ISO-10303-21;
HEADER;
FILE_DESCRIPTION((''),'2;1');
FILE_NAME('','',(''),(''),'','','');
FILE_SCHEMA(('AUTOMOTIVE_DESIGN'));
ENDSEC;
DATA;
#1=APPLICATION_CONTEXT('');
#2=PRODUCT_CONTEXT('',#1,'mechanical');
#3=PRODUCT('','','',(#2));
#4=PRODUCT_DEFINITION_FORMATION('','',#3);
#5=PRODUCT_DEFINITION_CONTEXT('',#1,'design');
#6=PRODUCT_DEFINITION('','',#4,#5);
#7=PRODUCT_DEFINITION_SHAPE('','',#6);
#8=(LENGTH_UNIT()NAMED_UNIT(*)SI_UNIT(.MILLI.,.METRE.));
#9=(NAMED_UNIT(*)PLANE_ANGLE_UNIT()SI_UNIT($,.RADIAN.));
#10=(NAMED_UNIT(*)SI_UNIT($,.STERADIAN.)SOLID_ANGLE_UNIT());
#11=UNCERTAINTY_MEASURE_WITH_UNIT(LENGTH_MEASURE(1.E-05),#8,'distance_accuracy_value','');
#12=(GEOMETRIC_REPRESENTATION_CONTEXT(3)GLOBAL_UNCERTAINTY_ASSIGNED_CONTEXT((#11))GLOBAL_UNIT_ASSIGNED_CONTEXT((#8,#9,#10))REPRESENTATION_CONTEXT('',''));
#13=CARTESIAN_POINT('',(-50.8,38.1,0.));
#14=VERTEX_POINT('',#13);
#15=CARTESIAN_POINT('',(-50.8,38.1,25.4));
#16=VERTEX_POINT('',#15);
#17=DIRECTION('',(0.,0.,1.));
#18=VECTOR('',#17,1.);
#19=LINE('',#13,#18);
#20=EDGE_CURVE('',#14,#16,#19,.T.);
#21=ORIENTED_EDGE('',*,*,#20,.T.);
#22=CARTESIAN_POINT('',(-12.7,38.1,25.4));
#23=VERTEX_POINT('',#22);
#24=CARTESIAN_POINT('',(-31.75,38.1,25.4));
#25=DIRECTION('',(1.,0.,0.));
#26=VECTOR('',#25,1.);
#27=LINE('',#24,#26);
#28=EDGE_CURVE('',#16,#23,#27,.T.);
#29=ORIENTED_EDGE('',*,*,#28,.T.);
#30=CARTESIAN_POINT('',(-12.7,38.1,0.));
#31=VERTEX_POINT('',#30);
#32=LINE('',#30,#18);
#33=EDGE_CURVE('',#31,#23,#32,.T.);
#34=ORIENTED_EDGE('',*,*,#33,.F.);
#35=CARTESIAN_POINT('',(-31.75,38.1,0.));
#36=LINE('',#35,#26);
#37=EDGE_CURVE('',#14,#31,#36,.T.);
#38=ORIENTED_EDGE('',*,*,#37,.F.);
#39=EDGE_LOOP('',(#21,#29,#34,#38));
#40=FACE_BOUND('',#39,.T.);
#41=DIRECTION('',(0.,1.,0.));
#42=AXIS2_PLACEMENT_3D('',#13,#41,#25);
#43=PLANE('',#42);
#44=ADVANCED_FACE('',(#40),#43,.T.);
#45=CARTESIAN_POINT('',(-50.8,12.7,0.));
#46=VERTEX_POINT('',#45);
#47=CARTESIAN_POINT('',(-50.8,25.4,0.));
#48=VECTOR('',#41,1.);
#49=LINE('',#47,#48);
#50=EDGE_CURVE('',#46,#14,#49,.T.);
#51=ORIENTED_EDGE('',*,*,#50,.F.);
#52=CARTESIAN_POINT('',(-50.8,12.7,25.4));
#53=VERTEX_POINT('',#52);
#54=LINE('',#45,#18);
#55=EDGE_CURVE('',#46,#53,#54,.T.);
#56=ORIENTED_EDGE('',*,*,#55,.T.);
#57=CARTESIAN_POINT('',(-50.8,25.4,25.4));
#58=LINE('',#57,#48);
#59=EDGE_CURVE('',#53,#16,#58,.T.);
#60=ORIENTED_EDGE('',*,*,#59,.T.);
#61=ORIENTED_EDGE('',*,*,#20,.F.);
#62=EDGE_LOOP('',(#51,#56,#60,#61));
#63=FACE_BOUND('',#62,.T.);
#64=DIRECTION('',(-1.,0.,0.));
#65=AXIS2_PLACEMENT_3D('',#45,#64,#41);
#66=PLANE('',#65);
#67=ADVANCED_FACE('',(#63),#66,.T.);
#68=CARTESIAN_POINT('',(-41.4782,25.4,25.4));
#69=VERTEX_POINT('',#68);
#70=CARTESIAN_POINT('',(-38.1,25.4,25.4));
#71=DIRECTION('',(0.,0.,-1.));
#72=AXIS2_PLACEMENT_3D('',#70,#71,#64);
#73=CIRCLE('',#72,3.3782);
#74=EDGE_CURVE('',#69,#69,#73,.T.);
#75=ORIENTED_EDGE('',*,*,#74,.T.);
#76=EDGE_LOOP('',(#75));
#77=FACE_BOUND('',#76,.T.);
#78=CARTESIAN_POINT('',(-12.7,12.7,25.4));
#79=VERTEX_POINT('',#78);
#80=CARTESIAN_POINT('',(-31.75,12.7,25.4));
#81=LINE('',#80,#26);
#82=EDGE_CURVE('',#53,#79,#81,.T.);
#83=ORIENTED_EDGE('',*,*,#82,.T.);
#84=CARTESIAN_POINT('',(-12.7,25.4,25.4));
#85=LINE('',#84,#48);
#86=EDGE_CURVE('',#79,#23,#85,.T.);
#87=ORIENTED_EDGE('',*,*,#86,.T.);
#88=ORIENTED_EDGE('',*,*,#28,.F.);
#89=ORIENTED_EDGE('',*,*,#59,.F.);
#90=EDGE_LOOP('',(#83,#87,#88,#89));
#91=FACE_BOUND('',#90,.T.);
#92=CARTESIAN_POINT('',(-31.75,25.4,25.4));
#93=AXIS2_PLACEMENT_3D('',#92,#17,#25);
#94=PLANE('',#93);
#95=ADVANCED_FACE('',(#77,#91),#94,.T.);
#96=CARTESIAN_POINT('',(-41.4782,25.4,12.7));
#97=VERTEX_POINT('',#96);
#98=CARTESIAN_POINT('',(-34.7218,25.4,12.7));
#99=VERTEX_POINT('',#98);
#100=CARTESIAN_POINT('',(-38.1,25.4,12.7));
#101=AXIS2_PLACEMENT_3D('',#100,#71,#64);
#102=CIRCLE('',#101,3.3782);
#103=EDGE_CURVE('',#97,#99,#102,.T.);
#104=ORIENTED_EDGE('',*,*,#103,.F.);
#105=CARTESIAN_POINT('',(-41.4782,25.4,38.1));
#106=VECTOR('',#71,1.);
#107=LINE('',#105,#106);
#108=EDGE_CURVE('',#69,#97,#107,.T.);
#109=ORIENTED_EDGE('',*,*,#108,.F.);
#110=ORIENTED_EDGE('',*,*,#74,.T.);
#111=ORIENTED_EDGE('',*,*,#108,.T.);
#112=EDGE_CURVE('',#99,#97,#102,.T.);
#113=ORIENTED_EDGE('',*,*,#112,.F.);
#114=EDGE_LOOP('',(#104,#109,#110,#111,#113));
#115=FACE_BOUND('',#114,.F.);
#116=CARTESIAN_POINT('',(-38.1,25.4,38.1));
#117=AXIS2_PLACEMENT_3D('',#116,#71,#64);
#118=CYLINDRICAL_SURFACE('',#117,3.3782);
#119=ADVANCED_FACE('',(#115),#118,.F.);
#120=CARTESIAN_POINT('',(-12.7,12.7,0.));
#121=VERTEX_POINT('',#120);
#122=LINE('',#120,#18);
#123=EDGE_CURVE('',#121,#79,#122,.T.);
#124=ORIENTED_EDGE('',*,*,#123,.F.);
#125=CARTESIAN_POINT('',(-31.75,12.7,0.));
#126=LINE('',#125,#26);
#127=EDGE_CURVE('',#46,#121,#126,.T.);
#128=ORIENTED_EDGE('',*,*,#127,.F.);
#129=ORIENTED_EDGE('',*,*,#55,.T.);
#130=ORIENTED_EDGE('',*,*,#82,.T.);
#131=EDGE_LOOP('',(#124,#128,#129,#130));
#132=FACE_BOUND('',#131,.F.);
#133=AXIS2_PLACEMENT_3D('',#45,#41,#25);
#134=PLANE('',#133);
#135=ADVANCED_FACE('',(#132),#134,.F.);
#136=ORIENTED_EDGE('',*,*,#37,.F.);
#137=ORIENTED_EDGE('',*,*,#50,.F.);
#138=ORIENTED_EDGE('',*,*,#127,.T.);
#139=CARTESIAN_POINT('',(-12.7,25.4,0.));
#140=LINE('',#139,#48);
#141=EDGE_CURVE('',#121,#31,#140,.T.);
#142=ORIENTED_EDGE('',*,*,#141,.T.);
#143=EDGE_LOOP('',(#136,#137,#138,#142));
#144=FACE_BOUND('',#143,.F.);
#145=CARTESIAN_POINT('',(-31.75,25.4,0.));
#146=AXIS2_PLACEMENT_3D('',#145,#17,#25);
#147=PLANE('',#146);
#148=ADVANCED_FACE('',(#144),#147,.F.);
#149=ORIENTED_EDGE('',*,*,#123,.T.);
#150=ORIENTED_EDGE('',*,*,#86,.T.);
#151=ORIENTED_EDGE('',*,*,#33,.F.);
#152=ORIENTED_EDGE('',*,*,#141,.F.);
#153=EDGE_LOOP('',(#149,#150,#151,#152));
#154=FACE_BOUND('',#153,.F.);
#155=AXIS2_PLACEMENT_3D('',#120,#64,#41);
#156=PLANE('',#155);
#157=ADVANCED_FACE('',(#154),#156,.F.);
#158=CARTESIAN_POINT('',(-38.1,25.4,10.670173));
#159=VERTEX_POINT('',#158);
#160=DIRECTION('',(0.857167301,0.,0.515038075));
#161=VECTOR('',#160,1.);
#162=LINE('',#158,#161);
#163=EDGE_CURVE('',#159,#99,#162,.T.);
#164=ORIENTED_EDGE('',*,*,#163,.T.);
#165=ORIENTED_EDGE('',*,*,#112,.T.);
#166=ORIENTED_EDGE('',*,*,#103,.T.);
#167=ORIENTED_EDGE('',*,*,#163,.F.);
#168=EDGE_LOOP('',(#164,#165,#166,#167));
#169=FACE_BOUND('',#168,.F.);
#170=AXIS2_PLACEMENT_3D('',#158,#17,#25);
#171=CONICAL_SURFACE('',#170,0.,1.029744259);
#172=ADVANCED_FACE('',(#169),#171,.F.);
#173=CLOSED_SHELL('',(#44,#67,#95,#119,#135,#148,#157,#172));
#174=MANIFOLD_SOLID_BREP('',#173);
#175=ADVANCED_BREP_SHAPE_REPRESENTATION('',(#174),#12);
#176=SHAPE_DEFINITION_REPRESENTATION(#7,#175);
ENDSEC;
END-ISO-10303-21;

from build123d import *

# Parameters (mm, degrees)
F0_W     = 38.1
F0_H     = 25.4
F1_DEPTH = 25.4
F3_D     = 6.7564
F3_DEPTH = 12.7
F3_TIP   = 2.0298273432


with BuildPart() as f1:
    # F0 (on Top) → F1 (new body)
    with BuildSketch(Plane.XY):
        with Locations((-31.75, 25.4)):
            Rectangle(F0_W, F0_H)
    extrude(amount=F1_DEPTH)

    # F3
    with Locations(Plane.XY.offset(25.4)):
        with Locations((-38.1, 25.4)):
            Hole(F3_D / 2, depth=F3_DEPTH)
            with Locations((0, 0, -(F3_DEPTH + F3_TIP / 2))):  # 118° drill point
                Cone(0, F3_D / 2, F3_TIP, mode=Mode.SUBTRACT)


solid = f1.part
